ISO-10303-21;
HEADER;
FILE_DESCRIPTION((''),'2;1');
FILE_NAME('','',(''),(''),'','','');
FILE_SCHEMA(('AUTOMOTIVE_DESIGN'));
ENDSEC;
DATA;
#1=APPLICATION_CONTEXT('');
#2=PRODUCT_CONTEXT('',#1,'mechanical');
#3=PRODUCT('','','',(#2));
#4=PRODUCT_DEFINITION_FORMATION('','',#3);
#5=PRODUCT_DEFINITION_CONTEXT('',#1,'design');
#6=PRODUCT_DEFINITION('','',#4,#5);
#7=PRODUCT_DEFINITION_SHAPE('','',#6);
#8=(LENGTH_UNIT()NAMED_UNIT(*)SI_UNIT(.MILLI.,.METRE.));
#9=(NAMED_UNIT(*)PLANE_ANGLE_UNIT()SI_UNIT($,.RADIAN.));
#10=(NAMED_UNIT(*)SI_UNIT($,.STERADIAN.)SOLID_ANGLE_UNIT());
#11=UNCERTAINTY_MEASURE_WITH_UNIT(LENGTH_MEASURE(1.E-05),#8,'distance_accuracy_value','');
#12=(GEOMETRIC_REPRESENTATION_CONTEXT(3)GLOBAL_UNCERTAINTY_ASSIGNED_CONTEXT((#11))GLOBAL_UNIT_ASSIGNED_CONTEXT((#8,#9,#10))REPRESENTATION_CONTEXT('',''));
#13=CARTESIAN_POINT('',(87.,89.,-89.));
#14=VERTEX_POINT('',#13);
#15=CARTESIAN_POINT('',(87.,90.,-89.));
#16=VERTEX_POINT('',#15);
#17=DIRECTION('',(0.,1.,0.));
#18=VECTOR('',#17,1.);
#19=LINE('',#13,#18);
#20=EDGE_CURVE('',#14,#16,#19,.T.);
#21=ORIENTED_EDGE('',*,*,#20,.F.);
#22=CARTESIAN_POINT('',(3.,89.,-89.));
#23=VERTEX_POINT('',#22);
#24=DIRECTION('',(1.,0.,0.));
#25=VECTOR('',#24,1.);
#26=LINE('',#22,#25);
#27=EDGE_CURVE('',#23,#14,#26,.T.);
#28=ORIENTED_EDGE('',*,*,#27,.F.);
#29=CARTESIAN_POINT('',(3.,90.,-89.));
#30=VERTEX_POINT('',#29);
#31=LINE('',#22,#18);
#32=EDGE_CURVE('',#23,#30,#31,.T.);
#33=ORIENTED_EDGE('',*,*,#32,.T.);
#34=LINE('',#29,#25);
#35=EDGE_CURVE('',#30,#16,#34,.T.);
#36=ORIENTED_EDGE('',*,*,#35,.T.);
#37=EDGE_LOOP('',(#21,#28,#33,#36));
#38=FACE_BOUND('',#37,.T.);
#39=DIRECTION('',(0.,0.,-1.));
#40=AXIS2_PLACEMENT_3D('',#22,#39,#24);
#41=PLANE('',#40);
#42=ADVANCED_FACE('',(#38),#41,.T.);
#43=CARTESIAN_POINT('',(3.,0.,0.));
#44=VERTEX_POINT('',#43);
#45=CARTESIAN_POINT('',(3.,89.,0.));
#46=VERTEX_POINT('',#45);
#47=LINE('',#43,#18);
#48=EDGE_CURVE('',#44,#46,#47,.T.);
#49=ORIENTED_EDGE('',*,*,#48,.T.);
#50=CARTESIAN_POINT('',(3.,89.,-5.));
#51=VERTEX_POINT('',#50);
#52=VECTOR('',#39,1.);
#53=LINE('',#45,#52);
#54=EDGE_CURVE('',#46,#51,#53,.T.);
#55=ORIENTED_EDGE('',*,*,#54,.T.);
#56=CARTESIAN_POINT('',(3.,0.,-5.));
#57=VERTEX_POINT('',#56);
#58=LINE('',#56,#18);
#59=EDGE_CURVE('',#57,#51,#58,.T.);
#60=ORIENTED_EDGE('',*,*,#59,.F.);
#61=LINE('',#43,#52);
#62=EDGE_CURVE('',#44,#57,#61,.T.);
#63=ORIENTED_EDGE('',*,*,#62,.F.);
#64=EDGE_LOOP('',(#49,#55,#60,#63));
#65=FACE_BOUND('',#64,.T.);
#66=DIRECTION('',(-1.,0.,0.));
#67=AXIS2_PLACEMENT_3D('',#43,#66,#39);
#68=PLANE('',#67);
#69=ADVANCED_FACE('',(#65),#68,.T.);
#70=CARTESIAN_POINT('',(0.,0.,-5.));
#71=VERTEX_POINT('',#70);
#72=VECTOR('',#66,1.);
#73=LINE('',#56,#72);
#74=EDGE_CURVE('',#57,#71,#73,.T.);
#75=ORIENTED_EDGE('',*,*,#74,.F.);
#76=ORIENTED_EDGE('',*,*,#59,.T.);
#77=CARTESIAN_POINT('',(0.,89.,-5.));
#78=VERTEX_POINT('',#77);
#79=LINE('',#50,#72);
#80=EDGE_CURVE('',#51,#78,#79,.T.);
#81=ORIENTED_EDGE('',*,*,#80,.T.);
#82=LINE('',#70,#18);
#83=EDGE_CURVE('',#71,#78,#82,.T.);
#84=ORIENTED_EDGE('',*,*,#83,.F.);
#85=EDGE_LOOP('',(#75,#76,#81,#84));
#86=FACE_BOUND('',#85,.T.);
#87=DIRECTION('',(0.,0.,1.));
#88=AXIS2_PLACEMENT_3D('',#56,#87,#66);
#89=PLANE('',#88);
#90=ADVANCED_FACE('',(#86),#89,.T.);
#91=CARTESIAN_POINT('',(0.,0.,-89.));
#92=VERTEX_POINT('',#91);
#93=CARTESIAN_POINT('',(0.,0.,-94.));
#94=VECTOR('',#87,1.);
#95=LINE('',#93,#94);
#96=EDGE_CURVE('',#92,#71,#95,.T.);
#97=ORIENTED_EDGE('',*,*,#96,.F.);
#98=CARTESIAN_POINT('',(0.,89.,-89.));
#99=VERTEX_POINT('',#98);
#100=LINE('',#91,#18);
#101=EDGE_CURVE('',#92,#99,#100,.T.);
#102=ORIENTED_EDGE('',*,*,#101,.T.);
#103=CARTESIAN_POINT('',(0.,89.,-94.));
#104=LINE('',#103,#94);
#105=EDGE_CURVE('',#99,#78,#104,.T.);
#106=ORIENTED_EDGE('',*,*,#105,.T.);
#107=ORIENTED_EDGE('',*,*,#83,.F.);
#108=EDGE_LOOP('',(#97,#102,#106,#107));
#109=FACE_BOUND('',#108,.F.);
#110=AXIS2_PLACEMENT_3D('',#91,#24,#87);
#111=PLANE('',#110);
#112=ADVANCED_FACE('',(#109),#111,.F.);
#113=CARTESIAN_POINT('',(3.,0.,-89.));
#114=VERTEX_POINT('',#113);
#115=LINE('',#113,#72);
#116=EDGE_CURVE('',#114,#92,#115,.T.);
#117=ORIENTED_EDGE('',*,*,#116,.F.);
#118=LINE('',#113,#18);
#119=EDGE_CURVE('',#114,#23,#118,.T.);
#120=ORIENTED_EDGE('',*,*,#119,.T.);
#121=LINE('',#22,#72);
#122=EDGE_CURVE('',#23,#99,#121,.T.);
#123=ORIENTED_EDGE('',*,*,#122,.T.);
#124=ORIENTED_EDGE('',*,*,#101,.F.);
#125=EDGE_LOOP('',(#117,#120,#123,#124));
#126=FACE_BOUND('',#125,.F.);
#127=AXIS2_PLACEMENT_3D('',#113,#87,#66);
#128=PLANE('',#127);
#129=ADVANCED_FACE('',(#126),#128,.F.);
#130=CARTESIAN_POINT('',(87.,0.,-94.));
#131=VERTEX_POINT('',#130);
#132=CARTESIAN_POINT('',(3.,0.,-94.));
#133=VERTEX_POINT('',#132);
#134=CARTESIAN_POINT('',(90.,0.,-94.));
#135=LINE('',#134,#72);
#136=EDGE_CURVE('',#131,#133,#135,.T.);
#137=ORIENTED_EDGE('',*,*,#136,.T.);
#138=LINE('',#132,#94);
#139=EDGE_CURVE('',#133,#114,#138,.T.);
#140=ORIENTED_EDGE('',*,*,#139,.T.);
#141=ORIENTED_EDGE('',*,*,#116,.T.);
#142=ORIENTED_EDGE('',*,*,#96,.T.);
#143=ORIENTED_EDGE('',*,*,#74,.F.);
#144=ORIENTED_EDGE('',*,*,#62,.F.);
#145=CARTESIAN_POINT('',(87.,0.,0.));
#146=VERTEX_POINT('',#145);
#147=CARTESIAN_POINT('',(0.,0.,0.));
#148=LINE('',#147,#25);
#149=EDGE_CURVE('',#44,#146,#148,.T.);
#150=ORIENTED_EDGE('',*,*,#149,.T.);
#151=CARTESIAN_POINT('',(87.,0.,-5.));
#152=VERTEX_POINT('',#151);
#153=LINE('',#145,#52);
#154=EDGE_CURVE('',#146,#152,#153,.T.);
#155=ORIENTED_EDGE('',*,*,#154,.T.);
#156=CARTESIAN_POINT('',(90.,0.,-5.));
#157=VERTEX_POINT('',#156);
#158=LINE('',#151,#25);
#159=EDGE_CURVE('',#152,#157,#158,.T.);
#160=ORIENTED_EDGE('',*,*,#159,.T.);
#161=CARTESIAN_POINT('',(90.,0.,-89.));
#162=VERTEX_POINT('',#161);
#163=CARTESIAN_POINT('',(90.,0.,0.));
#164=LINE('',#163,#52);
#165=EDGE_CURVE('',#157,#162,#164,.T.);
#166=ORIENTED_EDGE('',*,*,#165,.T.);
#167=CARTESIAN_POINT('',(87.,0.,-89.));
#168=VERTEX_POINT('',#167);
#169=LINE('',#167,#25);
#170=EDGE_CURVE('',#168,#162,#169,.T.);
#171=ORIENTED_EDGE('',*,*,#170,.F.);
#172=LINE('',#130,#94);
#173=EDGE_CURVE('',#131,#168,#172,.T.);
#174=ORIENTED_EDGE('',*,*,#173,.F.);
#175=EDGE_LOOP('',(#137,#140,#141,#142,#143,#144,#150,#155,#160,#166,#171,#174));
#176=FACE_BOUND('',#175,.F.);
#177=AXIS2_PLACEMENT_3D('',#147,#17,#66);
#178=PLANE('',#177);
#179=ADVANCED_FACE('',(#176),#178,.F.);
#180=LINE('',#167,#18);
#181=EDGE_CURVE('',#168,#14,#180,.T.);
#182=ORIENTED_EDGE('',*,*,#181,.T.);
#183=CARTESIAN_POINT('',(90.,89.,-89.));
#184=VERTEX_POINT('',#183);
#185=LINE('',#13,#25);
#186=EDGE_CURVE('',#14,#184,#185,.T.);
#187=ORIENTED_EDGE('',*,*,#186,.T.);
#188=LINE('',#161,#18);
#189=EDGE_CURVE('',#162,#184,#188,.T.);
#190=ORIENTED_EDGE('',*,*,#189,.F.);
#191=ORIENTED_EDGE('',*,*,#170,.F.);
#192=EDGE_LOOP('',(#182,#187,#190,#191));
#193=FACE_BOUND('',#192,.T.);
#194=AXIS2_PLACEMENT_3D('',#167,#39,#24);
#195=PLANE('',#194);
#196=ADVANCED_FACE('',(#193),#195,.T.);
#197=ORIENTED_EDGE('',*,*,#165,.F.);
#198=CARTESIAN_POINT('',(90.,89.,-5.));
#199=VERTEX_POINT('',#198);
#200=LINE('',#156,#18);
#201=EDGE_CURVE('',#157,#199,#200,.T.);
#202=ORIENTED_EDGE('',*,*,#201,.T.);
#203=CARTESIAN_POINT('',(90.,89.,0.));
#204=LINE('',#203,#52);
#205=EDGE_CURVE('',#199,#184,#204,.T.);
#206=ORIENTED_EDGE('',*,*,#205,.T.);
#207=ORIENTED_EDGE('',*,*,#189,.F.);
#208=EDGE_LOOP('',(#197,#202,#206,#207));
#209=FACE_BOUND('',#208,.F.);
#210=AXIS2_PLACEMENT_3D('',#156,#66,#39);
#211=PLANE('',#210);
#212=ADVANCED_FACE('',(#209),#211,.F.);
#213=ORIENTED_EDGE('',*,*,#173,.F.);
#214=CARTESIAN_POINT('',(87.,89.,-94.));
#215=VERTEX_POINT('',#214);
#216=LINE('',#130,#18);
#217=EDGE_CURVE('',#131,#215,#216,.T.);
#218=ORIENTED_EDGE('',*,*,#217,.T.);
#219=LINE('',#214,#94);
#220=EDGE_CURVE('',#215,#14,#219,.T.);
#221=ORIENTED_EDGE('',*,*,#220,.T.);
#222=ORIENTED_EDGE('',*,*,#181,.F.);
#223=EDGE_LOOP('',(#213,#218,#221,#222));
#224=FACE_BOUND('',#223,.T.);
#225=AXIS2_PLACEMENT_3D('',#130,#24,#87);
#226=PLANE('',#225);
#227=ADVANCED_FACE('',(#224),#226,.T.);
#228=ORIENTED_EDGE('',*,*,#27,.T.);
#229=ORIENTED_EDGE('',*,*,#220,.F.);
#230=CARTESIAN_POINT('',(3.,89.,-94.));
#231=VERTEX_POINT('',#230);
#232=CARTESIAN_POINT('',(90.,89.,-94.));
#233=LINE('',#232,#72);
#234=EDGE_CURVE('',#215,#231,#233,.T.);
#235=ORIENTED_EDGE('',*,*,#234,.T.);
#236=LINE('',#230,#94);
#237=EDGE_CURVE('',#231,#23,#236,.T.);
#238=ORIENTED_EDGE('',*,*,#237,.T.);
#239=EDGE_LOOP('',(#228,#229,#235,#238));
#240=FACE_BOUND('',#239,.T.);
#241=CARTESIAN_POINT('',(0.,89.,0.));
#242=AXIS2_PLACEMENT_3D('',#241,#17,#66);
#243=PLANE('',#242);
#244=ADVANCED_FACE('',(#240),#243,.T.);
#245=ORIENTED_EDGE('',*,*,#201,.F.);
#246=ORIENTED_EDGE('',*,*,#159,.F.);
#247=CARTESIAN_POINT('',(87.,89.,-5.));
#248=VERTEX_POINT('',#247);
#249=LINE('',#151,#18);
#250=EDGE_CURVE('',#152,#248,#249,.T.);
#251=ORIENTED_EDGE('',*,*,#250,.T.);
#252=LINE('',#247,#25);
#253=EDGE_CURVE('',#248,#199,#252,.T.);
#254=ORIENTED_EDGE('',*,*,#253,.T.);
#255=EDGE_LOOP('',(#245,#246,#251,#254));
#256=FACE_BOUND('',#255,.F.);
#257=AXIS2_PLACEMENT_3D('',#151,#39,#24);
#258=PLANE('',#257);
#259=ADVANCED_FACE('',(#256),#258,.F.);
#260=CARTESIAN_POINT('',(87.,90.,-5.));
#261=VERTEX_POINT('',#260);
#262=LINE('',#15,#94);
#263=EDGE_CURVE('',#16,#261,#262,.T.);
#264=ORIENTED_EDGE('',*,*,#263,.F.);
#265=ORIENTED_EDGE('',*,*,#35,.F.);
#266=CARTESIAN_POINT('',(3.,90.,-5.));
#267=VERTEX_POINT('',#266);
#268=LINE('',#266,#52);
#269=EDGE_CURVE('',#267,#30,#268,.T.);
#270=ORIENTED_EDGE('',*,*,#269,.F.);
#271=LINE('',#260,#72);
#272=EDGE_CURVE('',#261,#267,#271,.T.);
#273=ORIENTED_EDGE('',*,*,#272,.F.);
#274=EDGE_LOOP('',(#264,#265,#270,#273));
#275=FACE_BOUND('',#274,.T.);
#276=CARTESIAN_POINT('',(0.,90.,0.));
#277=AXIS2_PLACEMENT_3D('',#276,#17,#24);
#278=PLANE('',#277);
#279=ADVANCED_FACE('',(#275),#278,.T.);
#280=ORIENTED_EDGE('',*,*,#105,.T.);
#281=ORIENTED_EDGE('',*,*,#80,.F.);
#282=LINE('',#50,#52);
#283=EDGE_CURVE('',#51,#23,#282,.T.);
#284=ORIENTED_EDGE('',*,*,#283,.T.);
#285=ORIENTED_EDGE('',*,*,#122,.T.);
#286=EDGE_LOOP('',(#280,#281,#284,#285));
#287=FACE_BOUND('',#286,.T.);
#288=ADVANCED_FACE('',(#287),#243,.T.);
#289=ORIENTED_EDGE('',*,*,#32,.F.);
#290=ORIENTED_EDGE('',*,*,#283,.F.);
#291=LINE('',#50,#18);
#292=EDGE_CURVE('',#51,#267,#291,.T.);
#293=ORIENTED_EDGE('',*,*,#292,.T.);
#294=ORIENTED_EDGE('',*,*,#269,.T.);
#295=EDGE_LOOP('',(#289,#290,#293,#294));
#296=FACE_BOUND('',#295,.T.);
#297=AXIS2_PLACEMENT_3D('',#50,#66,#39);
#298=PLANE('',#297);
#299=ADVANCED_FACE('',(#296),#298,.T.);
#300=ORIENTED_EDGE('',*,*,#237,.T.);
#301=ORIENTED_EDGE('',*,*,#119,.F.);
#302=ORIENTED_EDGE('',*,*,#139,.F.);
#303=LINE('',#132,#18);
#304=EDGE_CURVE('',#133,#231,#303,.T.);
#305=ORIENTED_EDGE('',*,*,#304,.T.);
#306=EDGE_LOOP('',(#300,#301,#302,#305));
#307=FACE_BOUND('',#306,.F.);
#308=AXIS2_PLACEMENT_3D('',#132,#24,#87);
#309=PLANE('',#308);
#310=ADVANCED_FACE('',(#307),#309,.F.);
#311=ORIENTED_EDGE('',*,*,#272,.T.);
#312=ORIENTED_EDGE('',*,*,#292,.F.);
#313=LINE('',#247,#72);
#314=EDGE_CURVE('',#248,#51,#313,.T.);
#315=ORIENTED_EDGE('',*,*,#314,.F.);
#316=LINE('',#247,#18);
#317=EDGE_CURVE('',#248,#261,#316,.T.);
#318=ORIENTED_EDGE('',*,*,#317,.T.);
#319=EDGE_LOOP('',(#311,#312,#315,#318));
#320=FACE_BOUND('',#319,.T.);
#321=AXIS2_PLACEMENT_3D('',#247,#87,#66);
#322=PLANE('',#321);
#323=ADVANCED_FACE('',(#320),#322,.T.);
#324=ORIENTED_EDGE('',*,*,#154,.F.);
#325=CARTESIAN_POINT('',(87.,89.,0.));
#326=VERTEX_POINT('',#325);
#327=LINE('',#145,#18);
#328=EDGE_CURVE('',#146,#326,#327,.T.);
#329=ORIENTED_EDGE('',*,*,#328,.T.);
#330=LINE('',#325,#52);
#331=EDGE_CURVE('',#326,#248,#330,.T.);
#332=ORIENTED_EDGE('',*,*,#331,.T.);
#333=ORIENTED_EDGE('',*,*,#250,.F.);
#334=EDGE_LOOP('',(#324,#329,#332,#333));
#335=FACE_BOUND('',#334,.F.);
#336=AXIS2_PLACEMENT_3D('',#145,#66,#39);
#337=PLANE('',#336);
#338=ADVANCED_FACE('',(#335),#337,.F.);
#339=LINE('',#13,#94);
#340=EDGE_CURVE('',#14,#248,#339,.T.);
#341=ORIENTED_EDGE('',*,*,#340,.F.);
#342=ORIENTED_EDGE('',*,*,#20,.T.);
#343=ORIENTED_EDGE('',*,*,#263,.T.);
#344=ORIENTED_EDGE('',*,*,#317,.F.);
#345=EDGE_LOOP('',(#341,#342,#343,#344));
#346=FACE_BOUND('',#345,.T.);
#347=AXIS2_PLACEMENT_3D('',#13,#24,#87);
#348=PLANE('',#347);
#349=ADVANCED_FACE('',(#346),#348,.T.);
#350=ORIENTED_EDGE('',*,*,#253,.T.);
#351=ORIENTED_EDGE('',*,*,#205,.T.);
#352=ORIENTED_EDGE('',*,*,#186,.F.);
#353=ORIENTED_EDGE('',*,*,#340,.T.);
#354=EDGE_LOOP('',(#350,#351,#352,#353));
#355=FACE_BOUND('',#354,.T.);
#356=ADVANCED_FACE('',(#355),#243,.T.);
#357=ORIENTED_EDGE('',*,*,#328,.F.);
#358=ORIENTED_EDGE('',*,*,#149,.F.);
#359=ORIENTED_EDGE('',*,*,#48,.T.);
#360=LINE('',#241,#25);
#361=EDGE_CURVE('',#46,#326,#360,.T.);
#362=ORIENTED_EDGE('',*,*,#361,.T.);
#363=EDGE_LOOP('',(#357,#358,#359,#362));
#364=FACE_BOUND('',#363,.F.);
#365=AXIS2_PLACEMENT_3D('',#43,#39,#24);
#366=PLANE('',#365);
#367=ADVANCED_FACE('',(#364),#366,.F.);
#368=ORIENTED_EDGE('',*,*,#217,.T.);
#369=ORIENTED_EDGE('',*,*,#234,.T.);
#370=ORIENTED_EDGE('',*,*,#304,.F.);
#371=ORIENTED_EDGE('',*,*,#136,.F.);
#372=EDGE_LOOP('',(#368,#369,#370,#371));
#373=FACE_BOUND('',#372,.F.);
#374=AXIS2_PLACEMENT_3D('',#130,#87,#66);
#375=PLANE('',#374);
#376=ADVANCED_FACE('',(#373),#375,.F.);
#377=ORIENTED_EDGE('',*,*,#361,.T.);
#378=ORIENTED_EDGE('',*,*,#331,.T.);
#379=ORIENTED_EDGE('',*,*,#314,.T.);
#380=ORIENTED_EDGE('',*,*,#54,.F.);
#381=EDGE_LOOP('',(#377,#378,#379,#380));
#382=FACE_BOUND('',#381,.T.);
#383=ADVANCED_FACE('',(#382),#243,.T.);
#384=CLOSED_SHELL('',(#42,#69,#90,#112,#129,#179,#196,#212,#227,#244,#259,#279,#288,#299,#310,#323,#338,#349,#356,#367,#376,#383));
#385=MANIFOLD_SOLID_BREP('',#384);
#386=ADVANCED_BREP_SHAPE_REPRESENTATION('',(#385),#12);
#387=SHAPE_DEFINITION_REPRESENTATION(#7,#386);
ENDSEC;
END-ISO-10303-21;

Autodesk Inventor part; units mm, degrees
ref_plane "YZ Plane" through (0, 0, 0) normal (1, 0, 0) x (0, 1, 0)
ref_plane "XZ Plane" through (0, 0, 0) normal (0, 1, 0) x (-1, 0, 0)
ref_plane "XY Plane" through (0, 0, 0) normal (0, 0, 1) x (1, 0, 0)
sketch "Sketch1" plane through (0, 0, 0) normal (0, 1, 0) x (-1, 0, 0)
  line L0 (0, 0) -> (-90, 0)
  line L1 (-90, 0) -> (-90, -94)
  line L2 (-90, -94) -> (0, -94)
  line L3 (0, -94) -> (0, 0)
  line L4 (0, -94) -> (-3, -94)
  line L5 (-3, -94) -> (-3, -89)
  line L6 (-3, -89) -> (0, -89)
  line L7 (0, -89) -> (0, -94)
  line L8 (-90, -94) -> (-87, -94)
  line L9 (-87, -94) -> (-87, -89)
  line L10 (-87, -89) -> (-90, -89)
  line L11 (-90, -89) -> (-90, -94)
  line L12 (0, 0) -> (-3, 0)
  line L13 (-3, 0) -> (-3, -5)
  line L14 (-3, -5) -> (0, -5)
  line L15 (0, -5) -> (0, 0)
  line L16 (-90, 0) -> (-87, 0)
  line L17 (-87, 0) -> (-87, -5)
  line L18 (-87, -5) -> (-90, -5)
  line L19 (-90, -5) -> (-90, 0)
  dimension "d0" = 94
  dimension "d1" = 90
  dimension "d2" = 5
  dimension "d3" = 3
extrude "Extrusion1" add sketch "Sketch1" along normal blind 89 contours L13 L14 L3 L6 L5 L2 L9 L10 L1 L18 L17 L0
sketch "Sketch3" plane through (0, 89, 0) normal (0, 1, 0) x (1, 0, 0)
  line L0 (3, 94) -> (3, 89) projected
  line L1 (87, 5) -> (3, 5)
  line L2 (3, 5) -> (3, 89)
  line L3 (3, 89) -> (87, 89)
  line L4 (87, 89) -> (87, 5)
  point P0 (0, 0)
extrude "Extrusion2" add sketch "Sketch3" along normal blind 1
properties part number "Payload"
